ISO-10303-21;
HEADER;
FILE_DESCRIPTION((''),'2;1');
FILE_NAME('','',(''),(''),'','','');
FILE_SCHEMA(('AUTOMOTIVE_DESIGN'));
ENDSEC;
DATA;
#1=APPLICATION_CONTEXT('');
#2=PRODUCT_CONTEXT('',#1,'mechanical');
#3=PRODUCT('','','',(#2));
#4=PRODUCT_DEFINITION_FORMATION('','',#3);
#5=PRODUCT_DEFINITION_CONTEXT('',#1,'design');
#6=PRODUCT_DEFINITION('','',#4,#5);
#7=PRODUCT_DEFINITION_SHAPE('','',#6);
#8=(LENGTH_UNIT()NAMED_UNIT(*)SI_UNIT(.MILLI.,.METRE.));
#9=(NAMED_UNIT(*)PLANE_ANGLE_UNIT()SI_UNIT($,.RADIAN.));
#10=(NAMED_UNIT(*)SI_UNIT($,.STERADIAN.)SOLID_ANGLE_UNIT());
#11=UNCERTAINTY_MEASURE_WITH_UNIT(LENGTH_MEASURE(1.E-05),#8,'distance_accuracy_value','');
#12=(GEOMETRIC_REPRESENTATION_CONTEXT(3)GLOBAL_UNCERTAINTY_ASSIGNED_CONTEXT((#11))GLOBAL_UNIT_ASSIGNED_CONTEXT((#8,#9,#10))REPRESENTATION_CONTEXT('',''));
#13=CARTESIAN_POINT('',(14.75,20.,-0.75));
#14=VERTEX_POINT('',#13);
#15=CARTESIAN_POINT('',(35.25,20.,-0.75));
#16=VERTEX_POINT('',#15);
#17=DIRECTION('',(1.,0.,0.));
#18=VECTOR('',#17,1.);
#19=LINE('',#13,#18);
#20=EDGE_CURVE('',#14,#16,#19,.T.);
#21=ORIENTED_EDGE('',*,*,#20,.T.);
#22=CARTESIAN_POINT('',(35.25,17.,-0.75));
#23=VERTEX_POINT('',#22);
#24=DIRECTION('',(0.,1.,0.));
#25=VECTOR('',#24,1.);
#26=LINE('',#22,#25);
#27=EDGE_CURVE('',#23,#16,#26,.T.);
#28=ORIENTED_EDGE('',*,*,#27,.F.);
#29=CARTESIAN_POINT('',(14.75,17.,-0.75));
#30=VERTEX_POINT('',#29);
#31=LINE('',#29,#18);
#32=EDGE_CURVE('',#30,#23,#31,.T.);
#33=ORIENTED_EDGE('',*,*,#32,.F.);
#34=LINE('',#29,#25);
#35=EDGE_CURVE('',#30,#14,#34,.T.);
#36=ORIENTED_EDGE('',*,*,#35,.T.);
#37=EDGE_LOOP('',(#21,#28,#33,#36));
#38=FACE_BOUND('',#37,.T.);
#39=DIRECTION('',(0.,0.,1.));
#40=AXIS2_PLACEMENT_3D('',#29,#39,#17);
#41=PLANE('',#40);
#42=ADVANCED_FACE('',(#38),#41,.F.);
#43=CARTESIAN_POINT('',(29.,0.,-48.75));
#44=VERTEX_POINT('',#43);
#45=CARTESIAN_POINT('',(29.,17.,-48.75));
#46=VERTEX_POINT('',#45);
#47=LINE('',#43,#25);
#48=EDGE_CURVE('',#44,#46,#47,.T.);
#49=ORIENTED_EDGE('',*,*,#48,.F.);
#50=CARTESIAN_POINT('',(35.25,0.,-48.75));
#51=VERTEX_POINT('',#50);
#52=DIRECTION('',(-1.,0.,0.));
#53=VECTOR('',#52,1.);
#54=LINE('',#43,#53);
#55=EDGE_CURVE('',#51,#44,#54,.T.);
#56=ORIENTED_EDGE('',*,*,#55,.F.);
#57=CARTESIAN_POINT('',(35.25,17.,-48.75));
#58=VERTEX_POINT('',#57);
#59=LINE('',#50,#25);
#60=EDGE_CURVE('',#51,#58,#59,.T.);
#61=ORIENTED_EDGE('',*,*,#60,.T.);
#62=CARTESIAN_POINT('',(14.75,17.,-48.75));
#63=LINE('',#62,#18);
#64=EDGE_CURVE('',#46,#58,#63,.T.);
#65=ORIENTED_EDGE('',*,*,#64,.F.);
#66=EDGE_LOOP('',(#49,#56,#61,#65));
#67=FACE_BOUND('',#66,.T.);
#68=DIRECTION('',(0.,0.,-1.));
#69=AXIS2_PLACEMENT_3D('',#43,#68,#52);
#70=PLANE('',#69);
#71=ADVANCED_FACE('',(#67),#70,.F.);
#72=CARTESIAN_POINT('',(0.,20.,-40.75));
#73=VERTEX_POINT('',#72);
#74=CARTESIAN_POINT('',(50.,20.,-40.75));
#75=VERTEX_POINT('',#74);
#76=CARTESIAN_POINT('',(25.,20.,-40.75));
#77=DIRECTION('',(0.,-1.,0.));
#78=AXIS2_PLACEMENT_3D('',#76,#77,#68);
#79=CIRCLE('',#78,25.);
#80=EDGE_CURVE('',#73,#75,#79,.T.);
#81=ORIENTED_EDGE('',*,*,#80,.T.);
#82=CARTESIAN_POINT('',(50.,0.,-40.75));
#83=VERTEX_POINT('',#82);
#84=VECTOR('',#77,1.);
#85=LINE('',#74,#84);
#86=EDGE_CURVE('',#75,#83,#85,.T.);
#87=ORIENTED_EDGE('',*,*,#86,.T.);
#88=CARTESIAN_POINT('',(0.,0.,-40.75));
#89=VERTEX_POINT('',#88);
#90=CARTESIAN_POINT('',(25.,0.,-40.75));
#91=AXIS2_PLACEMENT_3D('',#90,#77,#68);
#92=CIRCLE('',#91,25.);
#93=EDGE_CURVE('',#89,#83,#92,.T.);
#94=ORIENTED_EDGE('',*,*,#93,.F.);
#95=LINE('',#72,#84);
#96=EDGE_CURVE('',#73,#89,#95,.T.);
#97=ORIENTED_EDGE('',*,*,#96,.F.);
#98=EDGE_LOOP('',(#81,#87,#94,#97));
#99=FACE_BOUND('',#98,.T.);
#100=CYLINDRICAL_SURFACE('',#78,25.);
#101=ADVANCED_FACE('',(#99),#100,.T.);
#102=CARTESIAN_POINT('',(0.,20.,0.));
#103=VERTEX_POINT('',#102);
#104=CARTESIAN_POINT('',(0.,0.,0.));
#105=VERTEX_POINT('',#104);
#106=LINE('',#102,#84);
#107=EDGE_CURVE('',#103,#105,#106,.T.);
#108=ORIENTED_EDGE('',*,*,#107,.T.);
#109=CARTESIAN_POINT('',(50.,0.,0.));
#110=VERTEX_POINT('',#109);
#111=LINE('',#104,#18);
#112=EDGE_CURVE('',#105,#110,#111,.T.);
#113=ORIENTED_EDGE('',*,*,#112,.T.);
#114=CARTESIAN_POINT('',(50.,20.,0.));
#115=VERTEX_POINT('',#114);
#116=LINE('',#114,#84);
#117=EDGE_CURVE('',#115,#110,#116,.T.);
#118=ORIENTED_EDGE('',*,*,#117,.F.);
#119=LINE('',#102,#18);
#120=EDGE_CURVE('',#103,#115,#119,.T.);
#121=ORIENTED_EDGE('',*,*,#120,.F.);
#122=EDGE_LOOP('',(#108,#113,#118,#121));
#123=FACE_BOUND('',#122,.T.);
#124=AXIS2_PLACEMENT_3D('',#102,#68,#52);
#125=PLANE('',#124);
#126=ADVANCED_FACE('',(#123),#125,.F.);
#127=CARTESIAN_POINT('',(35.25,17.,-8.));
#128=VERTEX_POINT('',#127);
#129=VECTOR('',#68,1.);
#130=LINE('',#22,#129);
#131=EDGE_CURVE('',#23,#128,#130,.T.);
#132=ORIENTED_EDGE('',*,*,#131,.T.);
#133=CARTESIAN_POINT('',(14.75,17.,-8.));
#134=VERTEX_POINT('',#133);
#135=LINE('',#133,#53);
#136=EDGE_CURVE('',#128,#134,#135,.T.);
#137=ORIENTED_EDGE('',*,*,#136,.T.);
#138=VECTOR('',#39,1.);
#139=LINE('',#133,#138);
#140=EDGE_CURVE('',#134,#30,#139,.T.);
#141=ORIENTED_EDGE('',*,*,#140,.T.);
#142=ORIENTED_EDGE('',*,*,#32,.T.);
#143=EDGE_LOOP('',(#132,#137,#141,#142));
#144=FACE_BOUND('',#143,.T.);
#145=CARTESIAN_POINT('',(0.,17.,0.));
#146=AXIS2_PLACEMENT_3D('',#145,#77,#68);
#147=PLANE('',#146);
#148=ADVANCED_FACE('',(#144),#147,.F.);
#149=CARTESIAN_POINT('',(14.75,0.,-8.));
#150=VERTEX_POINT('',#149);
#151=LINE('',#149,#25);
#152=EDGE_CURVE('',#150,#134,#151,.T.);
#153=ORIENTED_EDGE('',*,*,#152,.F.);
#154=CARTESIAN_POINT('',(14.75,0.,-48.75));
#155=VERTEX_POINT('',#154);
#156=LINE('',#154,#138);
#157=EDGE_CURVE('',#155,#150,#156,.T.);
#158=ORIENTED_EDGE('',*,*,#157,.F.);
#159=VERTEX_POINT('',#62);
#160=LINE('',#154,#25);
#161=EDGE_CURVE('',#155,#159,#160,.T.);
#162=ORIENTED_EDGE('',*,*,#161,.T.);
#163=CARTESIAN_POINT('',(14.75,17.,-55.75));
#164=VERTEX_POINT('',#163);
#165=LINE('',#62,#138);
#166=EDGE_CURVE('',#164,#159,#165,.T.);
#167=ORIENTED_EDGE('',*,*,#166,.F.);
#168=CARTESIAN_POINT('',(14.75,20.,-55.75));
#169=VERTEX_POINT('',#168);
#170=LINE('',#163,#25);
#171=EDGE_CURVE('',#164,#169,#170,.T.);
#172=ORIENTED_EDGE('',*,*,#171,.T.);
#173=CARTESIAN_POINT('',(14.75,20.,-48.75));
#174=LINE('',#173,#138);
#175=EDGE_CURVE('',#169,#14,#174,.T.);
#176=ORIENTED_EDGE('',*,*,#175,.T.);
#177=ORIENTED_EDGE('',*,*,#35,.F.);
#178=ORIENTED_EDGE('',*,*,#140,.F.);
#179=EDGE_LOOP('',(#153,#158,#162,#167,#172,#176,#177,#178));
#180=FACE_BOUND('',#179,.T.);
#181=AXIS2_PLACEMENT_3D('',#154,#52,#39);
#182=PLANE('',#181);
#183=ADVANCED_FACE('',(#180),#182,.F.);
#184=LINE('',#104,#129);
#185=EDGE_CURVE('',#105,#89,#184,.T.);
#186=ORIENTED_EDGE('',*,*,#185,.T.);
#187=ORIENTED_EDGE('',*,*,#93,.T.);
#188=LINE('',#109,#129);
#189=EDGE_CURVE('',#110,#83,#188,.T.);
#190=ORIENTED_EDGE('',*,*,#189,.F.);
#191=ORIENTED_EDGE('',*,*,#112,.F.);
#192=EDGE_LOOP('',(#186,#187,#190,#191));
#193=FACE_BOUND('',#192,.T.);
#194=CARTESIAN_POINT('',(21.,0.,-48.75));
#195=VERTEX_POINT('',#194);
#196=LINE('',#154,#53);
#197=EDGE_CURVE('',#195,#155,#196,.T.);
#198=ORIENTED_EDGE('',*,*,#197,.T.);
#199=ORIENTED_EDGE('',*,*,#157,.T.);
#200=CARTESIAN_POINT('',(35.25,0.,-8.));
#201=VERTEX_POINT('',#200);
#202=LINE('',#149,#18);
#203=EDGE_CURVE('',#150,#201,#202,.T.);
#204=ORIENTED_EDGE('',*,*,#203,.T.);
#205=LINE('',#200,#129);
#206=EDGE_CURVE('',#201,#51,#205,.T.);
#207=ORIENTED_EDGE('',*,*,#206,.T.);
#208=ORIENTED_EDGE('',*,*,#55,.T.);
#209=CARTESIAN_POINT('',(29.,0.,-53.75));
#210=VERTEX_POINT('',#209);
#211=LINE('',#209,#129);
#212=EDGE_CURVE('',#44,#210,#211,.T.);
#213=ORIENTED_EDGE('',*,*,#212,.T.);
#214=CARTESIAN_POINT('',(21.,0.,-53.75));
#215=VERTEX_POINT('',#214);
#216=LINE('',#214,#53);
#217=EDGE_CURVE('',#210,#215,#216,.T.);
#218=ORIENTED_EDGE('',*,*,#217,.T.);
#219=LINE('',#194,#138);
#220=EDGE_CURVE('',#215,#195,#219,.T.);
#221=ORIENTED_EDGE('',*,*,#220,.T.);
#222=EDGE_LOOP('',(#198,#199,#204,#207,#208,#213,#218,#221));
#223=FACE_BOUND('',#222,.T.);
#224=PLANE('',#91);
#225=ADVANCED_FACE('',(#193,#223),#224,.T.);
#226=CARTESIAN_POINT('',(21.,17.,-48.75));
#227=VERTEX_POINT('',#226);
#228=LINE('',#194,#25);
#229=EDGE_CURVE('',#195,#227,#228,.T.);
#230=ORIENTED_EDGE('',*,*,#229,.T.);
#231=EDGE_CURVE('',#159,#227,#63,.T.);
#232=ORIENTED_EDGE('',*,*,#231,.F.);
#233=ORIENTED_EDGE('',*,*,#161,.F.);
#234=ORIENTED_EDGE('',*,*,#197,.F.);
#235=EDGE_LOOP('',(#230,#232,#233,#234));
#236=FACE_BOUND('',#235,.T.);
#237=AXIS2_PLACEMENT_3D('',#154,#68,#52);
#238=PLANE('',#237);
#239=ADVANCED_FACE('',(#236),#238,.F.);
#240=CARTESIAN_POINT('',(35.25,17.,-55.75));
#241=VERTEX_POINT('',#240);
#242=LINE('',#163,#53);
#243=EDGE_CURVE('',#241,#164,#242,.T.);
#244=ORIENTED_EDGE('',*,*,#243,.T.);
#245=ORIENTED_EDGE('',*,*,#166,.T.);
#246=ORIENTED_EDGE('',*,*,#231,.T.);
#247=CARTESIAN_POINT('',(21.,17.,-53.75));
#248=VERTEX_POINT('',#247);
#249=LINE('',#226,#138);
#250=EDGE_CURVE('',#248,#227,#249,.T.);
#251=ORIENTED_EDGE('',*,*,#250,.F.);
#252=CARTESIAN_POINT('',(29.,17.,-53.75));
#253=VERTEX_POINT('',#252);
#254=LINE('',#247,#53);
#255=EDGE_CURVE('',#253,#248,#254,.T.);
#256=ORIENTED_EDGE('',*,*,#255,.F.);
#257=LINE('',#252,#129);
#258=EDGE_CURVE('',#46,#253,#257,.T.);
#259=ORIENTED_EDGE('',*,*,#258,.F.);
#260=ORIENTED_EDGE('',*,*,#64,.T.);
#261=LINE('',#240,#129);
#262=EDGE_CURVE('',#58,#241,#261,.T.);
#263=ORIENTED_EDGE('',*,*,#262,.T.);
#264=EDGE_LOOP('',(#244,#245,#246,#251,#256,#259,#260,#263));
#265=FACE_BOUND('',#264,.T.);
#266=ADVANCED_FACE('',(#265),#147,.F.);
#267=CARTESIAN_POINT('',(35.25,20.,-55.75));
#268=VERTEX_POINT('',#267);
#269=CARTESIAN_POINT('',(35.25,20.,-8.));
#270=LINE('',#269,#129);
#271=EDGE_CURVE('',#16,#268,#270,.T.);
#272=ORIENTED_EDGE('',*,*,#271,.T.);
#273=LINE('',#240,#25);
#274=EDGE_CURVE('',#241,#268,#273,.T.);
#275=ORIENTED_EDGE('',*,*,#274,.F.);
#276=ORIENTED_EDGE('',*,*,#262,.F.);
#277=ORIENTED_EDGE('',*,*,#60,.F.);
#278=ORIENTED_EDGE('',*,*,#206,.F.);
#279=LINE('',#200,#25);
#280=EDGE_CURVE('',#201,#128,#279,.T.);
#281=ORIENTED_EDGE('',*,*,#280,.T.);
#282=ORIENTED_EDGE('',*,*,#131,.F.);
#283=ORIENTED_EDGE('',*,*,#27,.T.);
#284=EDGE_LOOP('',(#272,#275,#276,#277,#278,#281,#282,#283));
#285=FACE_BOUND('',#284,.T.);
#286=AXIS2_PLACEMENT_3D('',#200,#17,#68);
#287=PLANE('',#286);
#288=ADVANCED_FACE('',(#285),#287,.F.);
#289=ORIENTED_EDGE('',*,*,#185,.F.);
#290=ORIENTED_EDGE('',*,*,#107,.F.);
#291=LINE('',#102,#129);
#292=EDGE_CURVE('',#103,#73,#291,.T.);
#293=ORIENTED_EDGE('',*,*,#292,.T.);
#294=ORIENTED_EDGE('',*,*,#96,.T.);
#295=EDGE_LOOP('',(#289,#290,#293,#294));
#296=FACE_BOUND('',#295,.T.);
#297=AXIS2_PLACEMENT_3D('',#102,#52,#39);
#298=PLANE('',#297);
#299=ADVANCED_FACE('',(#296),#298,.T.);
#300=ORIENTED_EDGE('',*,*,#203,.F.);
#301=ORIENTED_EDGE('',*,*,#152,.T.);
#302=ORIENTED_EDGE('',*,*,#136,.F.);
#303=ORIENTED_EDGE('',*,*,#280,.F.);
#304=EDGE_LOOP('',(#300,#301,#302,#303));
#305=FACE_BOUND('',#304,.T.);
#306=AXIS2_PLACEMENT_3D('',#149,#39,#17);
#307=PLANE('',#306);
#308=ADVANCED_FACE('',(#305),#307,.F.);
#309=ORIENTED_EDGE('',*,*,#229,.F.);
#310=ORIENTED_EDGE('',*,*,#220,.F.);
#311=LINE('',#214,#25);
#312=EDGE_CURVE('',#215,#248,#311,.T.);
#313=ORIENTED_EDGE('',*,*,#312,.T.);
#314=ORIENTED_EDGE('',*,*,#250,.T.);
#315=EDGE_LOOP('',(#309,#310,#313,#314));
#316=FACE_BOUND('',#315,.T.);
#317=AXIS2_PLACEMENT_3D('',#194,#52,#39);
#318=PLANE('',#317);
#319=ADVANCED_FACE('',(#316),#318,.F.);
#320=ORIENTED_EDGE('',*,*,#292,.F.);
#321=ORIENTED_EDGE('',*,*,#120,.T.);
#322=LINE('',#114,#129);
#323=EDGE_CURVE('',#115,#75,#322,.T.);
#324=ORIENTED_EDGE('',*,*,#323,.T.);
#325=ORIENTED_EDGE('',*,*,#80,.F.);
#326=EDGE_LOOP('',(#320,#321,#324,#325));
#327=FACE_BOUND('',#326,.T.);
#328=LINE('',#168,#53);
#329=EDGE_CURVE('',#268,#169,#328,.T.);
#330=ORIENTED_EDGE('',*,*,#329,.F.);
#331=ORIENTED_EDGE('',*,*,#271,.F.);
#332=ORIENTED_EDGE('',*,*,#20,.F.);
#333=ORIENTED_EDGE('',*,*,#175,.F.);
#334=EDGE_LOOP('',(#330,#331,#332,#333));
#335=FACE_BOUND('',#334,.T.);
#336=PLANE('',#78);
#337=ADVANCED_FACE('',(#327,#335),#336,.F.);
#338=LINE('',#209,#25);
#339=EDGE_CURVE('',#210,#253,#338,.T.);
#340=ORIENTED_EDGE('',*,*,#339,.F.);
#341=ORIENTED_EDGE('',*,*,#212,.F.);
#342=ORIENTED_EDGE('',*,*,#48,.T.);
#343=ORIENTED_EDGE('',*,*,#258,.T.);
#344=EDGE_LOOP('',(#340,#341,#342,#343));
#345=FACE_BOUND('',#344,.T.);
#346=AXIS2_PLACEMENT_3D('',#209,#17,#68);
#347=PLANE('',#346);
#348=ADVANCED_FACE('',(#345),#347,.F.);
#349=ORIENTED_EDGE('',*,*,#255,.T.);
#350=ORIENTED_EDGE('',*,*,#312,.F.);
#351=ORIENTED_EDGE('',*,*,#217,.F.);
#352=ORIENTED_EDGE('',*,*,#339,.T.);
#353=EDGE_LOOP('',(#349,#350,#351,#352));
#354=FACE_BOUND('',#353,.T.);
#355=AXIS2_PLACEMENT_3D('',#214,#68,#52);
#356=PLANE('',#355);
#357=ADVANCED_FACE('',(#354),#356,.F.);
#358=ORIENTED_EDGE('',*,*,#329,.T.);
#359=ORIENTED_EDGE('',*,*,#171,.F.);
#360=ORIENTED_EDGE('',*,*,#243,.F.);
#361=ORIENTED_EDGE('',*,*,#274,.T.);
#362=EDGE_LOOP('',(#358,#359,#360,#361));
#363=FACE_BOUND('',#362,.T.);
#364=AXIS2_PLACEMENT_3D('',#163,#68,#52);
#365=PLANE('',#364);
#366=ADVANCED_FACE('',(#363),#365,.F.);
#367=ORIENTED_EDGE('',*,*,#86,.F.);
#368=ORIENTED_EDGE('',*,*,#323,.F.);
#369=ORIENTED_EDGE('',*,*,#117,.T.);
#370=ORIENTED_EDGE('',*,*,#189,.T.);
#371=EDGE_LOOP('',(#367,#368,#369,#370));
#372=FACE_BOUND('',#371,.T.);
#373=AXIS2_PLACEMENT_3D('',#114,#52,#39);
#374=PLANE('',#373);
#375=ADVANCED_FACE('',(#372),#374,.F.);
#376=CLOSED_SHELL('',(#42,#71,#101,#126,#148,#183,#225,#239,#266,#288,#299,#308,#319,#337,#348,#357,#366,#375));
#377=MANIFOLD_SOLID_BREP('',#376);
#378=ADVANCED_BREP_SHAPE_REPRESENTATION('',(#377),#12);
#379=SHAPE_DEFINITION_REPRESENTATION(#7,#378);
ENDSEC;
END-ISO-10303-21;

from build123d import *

# Parameters (mm, degrees)
BOSS_EXTRUDE1_DEPTH = 20
CUT_EXTRUDE1_DEPTH  = 20
SKETCH3_W           = 20.5
SKETCH3_H           = 7
SKETCH3_H_2         = 7.25
CUT_EXTRUDE2_DEPTH  = 3


with BuildPart() as part:
    # Sketch1 → Boss-Extrude1 (new body)
    with BuildSketch(Plane(origin=(0, 0, 0), x_dir=(1, 0, 0), z_dir=(0, 1, 0))):
        with BuildLine():
            Line((0, 0), (50, 0))
            Line((50, 0), (50, 40.75))
            ThreePointArc((50, 40.75), (25, 65.75), (0, 40.75))
            Line((0, 40.75), (0, 0))
        make_face()
    extrude(amount=BOSS_EXTRUDE1_DEPTH)

    # Sketch2 → Cut-Extrude1 (cut)
    with BuildSketch(Plane(origin=(0, 20, 0), x_dir=(1, 0, 0), z_dir=(0, 1, 0))):
        Polygon((14.75, 8), (35.25, 8), (35.25, 48.75), (29, 48.75), (29, 53.75), (21, 53.75), (21, 48.75), (14.75, 48.75), align=None)
    extrude(amount=-CUT_EXTRUDE1_DEPTH, mode=Mode.SUBTRACT)

    # Sketch3 → Cut-Extrude2 (cut)
    with BuildSketch(Plane(origin=(0, 20, 0), x_dir=(1, 0, 0), z_dir=(0, 1, 0))):
        with Locations((25, 52.25)):
            Rectangle(SKETCH3_W, SKETCH3_H)
        with Locations((25, 4.375)):
            Rectangle(SKETCH3_W, SKETCH3_H_2)
    extrude(amount=-CUT_EXTRUDE2_DEPTH, mode=Mode.SUBTRACT)


solid = part.part
